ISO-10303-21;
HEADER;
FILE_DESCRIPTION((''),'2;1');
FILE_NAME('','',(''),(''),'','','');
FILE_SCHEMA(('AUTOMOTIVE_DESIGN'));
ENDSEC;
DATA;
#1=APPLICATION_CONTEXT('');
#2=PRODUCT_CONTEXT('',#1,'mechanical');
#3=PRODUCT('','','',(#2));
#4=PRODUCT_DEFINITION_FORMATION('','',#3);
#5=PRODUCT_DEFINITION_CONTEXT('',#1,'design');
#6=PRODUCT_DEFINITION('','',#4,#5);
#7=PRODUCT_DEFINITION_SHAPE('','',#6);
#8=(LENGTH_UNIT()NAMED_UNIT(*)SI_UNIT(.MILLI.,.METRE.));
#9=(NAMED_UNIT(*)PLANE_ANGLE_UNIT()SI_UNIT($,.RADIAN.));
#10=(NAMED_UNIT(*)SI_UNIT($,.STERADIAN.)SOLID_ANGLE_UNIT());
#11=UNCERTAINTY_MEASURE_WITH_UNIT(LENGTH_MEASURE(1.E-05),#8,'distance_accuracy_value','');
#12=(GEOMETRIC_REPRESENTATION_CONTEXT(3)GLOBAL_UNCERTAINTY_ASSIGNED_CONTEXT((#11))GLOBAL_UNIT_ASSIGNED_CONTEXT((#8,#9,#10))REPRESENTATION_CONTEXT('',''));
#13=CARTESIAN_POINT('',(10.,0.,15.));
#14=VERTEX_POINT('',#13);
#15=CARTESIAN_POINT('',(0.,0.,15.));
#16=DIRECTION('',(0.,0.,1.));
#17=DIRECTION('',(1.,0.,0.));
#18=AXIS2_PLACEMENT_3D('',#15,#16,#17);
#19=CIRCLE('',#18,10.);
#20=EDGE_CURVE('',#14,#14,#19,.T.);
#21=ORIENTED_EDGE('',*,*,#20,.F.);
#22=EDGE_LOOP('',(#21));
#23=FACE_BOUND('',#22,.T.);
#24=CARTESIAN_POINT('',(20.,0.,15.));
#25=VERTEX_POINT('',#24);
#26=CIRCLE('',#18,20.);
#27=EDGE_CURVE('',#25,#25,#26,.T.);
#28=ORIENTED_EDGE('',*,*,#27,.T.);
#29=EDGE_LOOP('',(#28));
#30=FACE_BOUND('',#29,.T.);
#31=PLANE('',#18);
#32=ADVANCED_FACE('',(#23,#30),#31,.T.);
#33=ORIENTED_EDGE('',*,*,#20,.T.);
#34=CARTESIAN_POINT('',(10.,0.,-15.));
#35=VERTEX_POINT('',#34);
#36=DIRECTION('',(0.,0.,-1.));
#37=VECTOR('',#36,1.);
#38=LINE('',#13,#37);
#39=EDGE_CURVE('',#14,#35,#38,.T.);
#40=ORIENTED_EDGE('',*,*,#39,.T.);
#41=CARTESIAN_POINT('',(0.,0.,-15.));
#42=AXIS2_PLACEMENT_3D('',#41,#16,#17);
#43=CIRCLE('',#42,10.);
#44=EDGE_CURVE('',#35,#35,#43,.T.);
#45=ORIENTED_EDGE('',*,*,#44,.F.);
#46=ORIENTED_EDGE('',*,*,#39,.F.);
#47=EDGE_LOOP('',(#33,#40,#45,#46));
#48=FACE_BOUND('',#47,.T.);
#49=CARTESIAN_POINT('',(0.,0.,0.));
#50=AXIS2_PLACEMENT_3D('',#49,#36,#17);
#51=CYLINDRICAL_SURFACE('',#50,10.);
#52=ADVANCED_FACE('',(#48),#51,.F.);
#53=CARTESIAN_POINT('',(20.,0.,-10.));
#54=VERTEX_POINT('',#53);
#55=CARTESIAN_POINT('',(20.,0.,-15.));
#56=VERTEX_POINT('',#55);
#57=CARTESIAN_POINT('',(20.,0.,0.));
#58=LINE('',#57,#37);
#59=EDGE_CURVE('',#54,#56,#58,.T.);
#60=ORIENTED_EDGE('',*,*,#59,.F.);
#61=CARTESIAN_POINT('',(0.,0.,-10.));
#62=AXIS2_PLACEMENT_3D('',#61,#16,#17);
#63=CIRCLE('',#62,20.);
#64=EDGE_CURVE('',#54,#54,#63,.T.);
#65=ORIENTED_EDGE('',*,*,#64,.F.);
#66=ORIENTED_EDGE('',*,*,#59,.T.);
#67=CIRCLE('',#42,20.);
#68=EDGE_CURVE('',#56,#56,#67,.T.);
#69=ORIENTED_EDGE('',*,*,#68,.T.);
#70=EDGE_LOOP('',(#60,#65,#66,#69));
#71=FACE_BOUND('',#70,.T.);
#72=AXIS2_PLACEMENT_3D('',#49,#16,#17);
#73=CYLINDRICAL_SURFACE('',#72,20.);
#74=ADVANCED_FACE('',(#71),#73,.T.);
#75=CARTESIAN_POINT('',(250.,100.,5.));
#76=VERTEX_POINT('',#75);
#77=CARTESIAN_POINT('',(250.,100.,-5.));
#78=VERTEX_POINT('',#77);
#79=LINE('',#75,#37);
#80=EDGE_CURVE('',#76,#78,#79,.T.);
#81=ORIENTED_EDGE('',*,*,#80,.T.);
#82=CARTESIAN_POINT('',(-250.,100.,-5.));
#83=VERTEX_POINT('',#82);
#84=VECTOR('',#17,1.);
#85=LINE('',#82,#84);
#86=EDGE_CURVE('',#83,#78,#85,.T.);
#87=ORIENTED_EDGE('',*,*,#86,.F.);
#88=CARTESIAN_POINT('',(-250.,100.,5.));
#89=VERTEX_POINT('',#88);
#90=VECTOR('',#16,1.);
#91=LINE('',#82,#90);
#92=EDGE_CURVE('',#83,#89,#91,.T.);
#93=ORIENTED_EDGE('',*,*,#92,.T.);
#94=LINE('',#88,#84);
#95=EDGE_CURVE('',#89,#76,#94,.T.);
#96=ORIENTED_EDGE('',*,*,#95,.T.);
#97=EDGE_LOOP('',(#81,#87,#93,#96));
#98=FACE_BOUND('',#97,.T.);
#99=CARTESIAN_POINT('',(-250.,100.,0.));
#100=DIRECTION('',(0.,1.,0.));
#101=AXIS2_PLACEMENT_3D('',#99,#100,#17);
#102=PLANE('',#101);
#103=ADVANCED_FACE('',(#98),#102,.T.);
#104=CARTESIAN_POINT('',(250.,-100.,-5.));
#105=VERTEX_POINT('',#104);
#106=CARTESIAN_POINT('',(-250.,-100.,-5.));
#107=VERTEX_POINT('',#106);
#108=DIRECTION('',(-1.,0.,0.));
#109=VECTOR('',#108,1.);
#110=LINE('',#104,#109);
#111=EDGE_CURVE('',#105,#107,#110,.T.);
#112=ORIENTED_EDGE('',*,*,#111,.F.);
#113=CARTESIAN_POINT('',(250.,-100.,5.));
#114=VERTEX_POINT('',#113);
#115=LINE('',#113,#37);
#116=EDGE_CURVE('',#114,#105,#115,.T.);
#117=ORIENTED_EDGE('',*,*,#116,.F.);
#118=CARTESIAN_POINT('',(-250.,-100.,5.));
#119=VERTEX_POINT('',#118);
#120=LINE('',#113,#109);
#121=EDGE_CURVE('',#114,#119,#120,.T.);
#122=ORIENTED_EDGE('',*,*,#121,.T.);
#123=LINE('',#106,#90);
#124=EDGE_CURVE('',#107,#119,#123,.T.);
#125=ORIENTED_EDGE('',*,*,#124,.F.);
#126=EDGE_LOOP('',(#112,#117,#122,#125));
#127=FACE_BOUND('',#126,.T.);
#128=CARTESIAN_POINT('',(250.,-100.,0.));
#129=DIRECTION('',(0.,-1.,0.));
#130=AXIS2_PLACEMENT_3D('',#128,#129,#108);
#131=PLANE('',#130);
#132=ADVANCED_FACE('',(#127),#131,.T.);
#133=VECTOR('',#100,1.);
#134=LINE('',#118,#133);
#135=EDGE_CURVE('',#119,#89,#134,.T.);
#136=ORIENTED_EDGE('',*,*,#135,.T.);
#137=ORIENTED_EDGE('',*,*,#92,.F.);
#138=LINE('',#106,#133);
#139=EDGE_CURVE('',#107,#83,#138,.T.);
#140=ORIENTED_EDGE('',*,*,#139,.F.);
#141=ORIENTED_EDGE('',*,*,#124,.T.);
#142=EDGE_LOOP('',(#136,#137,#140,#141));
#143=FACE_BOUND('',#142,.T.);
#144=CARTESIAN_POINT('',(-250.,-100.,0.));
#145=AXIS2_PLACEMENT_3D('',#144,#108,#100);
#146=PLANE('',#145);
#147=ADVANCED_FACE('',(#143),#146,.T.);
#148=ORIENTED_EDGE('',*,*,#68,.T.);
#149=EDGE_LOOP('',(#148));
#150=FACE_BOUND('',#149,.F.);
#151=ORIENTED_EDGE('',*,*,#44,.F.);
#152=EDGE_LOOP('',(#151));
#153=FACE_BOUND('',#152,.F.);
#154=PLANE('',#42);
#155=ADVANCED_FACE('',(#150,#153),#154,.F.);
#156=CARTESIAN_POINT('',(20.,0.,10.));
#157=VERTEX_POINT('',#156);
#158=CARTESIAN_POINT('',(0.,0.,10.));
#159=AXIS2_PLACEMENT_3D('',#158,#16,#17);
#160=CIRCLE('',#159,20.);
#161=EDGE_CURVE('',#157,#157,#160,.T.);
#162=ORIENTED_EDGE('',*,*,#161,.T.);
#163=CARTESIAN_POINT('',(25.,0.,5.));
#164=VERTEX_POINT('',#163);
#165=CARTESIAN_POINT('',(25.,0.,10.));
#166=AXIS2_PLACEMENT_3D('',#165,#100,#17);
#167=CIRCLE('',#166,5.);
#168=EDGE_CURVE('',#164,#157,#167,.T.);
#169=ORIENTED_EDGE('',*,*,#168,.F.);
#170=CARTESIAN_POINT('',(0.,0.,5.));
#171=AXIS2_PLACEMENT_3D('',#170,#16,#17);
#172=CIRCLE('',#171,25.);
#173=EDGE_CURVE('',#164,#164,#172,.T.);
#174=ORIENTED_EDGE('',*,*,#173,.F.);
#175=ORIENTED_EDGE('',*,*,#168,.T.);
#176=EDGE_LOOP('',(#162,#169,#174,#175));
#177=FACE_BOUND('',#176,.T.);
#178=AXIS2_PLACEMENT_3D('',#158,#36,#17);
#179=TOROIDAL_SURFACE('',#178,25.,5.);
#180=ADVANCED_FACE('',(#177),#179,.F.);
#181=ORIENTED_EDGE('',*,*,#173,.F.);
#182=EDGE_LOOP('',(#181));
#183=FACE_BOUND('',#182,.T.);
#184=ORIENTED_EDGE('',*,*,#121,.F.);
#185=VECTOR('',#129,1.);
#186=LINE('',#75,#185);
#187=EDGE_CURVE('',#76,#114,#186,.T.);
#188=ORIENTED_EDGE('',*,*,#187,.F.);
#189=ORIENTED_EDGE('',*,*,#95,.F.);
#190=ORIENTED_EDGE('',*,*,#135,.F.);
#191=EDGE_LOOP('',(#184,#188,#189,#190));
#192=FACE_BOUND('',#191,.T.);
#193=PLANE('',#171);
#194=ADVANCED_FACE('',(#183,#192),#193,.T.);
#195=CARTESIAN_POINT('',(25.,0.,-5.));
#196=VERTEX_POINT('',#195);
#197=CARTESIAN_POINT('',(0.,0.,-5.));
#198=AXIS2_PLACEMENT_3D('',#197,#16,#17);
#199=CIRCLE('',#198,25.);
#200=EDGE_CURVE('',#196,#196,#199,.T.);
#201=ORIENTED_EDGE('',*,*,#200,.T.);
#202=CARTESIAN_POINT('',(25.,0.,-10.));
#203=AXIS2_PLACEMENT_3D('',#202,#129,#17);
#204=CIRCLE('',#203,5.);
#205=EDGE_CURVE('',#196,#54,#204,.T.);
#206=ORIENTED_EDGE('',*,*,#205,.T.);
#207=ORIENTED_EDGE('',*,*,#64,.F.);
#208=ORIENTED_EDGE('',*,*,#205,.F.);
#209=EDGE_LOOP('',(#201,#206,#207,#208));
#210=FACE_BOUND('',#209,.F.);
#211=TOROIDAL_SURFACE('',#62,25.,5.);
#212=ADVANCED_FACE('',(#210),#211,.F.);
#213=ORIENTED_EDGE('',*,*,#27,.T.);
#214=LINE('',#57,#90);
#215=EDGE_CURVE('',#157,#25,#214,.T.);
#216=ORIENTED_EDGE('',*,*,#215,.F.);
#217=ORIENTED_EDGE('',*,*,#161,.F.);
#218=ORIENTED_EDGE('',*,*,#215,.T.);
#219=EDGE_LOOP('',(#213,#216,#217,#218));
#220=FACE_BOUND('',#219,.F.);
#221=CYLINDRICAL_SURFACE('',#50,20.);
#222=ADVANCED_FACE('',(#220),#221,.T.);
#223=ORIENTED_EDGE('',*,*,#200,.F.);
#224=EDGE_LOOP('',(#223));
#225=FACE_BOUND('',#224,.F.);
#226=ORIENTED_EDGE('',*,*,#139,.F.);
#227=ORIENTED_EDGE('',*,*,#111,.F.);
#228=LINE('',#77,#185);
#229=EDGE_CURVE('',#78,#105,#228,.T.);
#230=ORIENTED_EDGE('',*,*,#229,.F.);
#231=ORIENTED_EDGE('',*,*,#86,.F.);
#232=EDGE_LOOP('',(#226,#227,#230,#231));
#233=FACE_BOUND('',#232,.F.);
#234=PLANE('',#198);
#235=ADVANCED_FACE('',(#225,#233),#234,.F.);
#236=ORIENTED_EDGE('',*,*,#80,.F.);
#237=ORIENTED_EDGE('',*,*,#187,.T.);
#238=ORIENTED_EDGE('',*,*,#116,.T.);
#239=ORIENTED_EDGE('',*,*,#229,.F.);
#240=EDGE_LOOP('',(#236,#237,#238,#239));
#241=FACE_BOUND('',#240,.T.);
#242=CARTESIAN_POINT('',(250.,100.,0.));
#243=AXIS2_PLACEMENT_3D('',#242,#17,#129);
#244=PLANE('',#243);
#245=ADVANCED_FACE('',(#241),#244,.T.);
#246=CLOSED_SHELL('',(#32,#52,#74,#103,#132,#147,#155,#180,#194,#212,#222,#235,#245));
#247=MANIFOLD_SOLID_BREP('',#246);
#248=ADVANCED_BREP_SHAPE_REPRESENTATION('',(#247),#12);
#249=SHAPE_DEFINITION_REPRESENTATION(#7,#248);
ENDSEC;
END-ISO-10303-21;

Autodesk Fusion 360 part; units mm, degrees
sketch "Sketch1" plane through (0, 0, 0) normal (0, 0, 1) x (1, 0, 0)
  line L0 (-250, 100) -> (250, 100)
  line L1 (250, 100) -> (250, -100)
  line L2 (250, -100) -> (-250, -100)
  line L3 (-250, -100) -> (-250, 100)
  line L4 (0, 100) -> (0, -100) construction
  line L5 (-250, 0) -> (250, 0) construction
  circle A0 centre (0, 0) radius 20
  circle A1 centre (0, 0) radius 10
  dimension "Total_Height" = 200
  dimension "Total_Width" = 500
  dimension "Inner_Radius" = 10
  dimension "Outer_Radius" = 20
extrude "Extrude1" add sketch "Sketch1" along normal mid plane 10 contours L0 L1 L2 L3
extrude "Extrude2" add sketch "Sketch1" along normal mid plane 30 contours A0
fillet "Fillet1" radius 5 2 edges at (-18.6465, 7.2323, 5) (-18.6465, -7.2323, -5)
equation "Plate_Thickness = 1 cm"
equation "Shoulder_Thickness = 3 cm"
equation "Fillet_Radius = 0.5 cm"
